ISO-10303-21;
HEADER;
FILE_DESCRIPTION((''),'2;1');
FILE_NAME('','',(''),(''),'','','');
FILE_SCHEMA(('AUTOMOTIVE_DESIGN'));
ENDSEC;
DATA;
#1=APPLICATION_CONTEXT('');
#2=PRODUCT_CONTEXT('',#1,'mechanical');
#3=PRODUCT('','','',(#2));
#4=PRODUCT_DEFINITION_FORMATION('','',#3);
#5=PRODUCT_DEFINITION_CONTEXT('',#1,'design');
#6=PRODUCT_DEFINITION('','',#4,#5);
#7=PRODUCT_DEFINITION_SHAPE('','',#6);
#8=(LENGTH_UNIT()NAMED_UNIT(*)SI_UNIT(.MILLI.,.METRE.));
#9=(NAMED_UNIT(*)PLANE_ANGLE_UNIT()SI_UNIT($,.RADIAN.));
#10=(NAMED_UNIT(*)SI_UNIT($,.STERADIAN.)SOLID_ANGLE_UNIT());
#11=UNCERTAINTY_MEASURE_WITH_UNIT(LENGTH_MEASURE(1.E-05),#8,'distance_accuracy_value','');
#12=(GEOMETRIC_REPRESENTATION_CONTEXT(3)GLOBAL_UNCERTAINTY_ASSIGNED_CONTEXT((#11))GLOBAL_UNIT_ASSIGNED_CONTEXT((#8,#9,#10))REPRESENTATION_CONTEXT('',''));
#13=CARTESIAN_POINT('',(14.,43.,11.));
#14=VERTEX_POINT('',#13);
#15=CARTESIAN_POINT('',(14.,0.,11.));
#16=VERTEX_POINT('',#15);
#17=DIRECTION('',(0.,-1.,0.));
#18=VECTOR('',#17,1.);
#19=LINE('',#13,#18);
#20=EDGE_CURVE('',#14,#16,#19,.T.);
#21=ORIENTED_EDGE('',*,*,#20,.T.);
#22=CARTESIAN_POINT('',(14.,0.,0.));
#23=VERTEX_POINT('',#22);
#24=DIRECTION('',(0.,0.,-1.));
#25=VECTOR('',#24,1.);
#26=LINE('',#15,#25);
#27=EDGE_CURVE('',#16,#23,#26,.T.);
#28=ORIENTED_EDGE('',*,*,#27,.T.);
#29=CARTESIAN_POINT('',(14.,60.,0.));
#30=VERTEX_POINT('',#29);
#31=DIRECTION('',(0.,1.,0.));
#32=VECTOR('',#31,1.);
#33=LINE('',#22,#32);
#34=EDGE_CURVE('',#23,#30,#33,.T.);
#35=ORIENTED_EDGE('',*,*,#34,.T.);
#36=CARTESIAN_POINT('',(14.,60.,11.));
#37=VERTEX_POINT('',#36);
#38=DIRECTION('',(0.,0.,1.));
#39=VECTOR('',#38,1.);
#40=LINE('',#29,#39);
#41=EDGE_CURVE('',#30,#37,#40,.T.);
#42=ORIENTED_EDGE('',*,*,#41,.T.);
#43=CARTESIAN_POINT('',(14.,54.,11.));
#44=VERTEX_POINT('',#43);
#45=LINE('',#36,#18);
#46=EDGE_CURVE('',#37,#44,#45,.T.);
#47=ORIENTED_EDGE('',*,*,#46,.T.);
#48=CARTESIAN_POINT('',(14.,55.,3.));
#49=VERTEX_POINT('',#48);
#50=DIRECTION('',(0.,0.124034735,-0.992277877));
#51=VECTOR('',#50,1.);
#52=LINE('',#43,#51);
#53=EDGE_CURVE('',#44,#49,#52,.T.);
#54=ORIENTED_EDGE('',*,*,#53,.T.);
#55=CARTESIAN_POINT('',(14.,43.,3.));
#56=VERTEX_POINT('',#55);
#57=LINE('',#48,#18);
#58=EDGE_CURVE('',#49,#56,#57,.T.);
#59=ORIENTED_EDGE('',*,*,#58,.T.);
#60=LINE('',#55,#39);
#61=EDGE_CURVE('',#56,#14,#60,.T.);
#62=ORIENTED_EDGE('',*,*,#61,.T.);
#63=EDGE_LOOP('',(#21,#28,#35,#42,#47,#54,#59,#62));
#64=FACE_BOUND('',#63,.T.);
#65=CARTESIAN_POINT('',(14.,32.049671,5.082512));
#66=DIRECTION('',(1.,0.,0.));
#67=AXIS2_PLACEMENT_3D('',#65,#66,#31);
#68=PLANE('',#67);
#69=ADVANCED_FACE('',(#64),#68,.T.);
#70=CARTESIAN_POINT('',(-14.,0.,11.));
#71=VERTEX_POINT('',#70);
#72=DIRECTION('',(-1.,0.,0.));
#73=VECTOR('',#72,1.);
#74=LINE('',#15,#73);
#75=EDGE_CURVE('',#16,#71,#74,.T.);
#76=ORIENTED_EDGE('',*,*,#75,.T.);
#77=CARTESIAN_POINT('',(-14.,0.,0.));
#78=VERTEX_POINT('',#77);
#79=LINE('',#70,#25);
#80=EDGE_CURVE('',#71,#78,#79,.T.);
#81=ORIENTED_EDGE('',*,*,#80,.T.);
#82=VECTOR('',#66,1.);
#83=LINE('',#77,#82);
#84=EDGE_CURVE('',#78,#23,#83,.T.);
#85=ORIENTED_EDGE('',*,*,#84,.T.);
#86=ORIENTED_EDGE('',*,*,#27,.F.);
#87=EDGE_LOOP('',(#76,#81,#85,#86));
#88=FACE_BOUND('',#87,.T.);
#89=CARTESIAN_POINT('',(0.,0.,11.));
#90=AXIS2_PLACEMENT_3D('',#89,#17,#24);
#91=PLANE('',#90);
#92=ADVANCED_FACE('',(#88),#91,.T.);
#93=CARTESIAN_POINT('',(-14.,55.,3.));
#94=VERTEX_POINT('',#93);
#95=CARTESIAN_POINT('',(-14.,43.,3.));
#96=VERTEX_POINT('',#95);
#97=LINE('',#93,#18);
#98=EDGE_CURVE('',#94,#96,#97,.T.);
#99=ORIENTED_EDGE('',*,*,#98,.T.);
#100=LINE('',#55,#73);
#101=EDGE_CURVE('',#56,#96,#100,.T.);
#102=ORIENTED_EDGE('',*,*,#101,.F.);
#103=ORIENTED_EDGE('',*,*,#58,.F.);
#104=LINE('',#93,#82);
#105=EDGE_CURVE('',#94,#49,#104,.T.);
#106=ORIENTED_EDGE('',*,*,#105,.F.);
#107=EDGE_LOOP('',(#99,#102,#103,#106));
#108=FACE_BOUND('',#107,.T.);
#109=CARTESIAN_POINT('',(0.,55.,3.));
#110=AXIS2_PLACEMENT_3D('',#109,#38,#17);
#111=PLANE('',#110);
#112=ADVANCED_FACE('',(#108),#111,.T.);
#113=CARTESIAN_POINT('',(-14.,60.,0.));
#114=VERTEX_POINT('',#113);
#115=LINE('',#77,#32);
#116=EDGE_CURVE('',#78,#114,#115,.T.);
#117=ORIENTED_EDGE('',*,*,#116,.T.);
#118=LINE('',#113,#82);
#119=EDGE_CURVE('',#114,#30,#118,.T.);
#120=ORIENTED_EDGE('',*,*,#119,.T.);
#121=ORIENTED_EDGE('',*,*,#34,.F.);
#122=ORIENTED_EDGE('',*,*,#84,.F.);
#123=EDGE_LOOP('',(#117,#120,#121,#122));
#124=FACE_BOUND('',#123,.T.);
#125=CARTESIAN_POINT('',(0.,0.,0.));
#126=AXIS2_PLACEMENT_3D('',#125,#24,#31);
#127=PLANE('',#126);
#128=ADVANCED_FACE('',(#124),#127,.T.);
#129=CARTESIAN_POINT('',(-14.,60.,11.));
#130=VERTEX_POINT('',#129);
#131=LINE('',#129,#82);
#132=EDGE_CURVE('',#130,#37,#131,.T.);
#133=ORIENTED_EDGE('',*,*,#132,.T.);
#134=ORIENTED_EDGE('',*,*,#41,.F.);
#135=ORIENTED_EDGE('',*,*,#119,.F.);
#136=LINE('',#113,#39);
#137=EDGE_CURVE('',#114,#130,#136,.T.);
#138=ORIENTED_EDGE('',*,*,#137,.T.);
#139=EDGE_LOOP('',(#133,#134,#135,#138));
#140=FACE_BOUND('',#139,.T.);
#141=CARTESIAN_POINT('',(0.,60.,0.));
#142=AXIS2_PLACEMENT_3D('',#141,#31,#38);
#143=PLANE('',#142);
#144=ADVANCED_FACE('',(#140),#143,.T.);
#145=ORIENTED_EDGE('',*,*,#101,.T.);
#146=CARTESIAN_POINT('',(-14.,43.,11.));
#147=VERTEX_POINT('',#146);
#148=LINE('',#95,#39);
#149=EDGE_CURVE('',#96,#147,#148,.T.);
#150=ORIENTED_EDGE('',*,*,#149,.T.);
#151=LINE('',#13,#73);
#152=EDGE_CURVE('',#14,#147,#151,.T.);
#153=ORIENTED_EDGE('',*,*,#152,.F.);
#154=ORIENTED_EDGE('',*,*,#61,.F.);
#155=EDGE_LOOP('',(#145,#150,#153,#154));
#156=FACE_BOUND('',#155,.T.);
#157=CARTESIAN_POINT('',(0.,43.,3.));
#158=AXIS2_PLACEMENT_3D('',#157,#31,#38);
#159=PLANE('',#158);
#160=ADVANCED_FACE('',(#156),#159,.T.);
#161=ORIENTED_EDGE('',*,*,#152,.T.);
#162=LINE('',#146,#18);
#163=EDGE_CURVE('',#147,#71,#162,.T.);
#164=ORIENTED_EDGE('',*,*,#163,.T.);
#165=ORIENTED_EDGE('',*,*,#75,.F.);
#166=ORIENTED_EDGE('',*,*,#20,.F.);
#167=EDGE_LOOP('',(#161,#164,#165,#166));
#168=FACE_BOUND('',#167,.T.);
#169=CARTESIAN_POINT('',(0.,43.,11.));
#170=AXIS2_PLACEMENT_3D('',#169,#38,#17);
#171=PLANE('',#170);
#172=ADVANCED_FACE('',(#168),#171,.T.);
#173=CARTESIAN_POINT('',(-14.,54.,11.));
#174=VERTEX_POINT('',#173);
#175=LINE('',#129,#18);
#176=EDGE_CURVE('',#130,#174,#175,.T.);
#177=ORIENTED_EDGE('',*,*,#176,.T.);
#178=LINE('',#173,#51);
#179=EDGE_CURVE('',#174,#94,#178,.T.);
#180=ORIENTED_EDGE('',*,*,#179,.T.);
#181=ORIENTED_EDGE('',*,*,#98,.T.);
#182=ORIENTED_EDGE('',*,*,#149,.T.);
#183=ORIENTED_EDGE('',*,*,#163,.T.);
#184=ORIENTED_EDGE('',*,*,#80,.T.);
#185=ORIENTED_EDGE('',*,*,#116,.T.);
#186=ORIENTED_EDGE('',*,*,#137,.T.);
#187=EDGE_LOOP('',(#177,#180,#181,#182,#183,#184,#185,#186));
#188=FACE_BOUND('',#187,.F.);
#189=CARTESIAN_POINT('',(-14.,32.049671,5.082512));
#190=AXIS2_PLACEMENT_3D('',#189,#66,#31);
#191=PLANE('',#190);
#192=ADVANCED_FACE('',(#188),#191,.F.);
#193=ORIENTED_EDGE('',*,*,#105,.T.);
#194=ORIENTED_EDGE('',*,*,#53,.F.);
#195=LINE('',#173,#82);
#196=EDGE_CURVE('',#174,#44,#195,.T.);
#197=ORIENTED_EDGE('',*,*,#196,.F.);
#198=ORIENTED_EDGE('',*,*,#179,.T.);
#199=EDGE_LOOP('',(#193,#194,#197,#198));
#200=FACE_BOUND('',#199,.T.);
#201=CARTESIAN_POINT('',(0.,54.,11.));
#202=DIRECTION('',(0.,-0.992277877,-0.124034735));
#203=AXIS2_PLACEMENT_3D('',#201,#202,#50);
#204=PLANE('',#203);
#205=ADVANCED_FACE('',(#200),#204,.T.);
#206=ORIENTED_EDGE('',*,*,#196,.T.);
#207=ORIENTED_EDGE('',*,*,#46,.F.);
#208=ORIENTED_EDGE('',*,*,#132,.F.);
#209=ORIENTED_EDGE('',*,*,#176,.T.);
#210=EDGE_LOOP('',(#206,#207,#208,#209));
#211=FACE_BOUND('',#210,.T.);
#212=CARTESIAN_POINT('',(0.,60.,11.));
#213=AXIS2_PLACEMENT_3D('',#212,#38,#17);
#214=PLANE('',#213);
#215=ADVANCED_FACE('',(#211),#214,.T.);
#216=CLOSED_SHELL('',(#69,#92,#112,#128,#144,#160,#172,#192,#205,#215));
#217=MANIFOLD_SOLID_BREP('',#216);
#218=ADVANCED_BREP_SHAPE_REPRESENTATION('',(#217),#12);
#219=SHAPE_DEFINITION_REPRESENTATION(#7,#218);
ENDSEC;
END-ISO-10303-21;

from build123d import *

# Parameters (mm, degrees)
PAD_DEPTH = 14


with BuildPart() as part:
    # Sketch → Pad (new body, symmetric)
    with BuildSketch(Plane.YZ):
        Polygon((0, 11), (0, 0), (60, 0), (60, 11), (54, 11), (55, 3), (43, 3), (43, 11), align=None)
    extrude(amount=PAD_DEPTH, both=True)


solid = part.part
